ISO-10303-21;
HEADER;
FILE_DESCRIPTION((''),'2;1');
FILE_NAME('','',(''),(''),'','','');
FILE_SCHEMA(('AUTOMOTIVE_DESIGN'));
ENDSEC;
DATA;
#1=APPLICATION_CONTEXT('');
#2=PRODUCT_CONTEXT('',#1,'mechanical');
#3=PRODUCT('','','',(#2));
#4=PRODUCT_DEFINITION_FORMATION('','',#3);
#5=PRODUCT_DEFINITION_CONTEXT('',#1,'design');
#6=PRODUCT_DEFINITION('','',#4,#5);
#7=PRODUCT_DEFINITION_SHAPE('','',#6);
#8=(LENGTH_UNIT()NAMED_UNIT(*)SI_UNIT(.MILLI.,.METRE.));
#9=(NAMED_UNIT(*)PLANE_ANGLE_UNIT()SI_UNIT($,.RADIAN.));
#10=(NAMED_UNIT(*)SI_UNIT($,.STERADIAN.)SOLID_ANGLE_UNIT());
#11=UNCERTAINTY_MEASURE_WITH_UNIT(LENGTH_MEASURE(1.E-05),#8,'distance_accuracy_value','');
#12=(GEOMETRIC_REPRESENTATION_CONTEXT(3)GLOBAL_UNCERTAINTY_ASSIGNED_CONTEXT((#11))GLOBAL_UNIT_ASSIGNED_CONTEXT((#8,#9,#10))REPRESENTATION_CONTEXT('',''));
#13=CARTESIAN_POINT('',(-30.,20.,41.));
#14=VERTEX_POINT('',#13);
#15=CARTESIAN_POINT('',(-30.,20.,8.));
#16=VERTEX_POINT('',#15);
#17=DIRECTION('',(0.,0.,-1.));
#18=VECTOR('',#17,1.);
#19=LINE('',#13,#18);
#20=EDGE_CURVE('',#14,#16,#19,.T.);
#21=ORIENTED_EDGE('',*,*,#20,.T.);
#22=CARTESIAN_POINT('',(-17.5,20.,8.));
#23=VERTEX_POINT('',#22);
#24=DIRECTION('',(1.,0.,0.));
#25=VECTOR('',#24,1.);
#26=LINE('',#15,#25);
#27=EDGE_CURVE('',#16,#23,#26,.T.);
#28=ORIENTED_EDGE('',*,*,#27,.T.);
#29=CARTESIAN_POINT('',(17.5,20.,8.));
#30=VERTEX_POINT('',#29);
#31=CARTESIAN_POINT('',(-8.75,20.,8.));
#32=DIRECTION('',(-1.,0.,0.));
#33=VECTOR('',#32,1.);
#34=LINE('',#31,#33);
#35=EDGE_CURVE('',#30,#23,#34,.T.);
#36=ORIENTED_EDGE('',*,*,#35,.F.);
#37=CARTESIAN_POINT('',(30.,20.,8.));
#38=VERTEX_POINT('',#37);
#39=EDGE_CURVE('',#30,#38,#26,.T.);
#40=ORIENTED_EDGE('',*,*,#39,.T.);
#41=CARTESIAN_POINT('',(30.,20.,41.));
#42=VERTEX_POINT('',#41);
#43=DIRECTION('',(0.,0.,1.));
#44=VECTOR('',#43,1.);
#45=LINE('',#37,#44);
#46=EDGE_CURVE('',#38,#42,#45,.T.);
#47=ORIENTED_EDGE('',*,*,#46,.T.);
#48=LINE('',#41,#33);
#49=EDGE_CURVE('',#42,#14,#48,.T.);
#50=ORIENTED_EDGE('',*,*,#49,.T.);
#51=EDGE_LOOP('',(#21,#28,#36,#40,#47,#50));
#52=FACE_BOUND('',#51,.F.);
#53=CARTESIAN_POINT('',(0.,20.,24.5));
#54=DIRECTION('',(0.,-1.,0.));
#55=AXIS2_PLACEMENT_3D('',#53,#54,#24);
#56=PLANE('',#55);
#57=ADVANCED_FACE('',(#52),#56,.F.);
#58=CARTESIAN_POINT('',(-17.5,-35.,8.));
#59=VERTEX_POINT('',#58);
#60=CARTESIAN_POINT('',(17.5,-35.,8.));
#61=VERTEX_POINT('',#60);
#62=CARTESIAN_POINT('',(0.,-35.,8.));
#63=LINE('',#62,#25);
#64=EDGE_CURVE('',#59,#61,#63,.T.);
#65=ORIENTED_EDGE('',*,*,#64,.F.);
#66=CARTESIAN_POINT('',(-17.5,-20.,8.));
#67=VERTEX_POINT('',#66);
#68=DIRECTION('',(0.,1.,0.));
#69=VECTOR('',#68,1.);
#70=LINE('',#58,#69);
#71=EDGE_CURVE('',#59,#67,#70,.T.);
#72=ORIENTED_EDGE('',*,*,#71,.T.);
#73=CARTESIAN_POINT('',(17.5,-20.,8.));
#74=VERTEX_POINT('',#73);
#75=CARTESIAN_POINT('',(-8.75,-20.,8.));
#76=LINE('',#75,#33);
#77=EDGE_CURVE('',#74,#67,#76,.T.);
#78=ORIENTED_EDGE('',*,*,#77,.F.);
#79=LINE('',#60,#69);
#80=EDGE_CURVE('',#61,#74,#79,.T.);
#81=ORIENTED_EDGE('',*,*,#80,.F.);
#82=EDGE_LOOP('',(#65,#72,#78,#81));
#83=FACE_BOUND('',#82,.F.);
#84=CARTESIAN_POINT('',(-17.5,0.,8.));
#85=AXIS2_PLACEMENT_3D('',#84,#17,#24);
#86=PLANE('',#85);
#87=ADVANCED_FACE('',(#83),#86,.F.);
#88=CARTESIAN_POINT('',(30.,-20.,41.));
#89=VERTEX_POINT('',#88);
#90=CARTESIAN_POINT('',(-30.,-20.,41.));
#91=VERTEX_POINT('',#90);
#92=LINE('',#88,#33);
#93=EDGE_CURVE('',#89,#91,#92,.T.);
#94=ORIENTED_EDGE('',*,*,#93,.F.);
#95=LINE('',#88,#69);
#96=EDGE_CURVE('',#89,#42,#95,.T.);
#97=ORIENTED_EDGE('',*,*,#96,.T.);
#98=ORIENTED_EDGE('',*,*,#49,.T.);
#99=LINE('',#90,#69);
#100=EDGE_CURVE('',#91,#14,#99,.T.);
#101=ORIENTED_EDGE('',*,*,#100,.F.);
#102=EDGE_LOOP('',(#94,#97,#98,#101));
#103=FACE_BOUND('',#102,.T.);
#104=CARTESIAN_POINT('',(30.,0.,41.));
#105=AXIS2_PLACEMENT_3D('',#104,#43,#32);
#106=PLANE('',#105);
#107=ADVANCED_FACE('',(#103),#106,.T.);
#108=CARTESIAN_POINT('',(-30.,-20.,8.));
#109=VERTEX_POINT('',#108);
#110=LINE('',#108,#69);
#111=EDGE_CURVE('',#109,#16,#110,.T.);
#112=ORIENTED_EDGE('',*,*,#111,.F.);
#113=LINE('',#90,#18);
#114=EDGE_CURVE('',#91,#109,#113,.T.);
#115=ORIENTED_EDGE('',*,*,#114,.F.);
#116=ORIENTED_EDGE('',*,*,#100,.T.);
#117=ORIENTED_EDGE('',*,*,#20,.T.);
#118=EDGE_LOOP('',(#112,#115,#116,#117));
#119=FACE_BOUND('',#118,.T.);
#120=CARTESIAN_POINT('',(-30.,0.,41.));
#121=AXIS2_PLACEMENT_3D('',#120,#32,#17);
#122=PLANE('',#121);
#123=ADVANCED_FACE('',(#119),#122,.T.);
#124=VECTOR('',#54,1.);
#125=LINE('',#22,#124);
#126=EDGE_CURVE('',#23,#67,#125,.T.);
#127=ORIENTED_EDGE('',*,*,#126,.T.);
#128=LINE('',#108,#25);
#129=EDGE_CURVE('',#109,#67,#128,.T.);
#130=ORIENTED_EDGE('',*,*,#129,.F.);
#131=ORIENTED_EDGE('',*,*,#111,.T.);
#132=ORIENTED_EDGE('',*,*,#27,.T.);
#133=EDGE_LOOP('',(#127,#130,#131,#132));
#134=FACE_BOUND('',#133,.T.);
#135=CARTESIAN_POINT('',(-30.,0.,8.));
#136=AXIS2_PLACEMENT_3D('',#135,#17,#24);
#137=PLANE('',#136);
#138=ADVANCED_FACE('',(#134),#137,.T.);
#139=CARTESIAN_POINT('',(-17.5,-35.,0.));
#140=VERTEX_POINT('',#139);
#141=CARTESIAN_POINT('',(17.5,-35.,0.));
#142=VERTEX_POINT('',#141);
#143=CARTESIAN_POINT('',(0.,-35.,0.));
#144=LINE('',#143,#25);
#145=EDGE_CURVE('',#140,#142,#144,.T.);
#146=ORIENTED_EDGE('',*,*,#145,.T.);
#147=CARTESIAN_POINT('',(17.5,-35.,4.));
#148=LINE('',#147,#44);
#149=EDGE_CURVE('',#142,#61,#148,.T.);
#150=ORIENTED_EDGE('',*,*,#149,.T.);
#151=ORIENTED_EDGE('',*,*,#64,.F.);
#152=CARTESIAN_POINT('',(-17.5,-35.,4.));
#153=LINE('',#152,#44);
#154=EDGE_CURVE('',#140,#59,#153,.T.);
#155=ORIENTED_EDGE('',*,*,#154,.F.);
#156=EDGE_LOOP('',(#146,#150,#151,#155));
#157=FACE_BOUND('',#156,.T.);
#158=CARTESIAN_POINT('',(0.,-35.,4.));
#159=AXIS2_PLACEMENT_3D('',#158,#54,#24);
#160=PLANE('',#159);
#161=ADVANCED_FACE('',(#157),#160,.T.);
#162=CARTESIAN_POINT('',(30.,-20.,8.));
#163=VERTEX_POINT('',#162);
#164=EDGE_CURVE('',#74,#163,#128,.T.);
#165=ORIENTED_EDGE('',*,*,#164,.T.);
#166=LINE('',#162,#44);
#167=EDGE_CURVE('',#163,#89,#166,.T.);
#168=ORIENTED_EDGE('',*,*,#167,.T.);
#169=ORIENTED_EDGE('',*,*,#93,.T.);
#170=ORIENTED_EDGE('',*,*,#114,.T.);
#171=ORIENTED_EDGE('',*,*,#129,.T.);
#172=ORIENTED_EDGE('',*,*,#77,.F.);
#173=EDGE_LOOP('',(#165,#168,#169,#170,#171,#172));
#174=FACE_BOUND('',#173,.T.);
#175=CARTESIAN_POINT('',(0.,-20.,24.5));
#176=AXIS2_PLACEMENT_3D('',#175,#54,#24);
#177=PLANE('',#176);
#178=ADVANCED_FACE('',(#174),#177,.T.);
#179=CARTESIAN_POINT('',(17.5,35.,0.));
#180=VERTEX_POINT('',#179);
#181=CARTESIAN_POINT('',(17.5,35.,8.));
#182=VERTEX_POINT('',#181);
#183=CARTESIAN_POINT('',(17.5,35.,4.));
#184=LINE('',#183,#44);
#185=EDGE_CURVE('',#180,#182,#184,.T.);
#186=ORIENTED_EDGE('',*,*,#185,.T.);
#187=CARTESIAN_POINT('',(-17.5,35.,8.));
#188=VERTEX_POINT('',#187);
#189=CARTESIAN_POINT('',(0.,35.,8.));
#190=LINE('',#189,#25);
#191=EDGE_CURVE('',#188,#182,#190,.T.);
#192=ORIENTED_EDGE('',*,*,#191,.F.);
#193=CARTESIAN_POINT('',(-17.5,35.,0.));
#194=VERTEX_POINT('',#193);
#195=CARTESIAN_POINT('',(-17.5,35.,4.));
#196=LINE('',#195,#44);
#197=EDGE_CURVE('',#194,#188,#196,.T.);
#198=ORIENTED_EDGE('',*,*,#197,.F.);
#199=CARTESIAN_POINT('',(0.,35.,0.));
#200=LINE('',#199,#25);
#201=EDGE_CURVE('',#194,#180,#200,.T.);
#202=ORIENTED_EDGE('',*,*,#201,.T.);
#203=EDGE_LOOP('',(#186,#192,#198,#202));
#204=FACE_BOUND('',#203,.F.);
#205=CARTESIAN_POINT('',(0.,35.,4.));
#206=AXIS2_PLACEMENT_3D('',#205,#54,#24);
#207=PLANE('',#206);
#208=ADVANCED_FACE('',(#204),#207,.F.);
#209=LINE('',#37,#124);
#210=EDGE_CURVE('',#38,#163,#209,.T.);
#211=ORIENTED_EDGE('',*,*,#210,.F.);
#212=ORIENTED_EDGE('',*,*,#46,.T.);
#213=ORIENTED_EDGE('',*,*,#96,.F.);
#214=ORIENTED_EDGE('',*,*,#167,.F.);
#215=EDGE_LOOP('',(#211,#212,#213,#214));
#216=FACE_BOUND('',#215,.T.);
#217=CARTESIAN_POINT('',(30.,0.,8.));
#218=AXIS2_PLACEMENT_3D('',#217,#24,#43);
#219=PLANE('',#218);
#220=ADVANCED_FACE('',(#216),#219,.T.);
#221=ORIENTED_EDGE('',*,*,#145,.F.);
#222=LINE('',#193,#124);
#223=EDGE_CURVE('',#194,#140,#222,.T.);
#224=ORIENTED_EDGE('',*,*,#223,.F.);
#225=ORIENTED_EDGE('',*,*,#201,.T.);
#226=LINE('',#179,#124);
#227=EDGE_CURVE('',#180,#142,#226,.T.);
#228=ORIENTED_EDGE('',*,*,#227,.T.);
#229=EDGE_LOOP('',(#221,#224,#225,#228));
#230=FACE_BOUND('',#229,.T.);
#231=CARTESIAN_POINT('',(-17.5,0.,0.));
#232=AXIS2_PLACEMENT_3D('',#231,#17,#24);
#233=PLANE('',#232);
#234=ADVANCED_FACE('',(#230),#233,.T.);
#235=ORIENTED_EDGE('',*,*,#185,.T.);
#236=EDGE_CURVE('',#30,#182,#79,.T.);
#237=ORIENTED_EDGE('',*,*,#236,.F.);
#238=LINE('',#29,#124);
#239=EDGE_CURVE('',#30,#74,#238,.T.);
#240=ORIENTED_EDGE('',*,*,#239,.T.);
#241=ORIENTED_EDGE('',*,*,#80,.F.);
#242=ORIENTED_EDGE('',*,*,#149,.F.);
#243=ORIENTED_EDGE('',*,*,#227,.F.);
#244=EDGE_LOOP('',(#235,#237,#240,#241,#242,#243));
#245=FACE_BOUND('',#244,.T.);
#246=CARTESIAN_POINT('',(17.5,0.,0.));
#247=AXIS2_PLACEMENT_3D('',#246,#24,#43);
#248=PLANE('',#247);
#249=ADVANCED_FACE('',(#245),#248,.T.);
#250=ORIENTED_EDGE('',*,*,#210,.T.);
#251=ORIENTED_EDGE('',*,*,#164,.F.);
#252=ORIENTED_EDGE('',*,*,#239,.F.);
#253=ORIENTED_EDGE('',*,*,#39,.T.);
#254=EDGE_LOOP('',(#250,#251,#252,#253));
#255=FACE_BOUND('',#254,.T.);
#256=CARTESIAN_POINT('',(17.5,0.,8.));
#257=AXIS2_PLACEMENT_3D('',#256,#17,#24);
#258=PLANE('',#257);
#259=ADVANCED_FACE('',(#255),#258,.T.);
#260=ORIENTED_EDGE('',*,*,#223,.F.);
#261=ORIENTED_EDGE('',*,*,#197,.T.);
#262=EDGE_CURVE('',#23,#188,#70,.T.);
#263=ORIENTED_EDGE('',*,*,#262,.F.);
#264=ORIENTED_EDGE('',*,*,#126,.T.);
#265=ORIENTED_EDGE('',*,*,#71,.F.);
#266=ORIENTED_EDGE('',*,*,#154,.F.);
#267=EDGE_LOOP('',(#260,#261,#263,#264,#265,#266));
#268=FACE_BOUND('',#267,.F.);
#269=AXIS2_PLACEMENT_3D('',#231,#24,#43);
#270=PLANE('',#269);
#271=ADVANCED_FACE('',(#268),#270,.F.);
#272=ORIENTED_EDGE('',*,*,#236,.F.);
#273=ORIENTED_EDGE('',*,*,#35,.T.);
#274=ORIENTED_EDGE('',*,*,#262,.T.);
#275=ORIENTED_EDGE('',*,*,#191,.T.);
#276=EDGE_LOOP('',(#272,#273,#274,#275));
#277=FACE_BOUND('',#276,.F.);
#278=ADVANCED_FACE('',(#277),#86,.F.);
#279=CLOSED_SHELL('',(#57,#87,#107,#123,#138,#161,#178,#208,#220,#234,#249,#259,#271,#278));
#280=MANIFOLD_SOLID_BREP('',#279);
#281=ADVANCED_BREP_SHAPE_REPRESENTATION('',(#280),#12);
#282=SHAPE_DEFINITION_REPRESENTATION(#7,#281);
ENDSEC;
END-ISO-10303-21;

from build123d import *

# Parameters (mm, degrees)
F0_W     = 35
F0_H     = 8
F1_DEPTH = 35
F2_DEPTH = 20


with BuildPart() as f1:
    # F0 (on Front) → F1 (new body, symmetric)
    with BuildSketch(Plane.XZ):
        with Locations((0, 4)):
            Rectangle(F0_W, F0_H)
    extrude(amount=F1_DEPTH, both=True)

    # F0 (on Front) → F2 (join, symmetric)
    with BuildSketch(Plane.XZ):
        Polygon((-30, 8), (-17.5, 8), (17.5, 8), (30, 8), (30, 41), (-30, 41), align=None)
        with Locations((0, 4)):
            Rectangle(F0_W, F0_H)
    extrude(amount=F2_DEPTH, both=True)


solid = f1.part
